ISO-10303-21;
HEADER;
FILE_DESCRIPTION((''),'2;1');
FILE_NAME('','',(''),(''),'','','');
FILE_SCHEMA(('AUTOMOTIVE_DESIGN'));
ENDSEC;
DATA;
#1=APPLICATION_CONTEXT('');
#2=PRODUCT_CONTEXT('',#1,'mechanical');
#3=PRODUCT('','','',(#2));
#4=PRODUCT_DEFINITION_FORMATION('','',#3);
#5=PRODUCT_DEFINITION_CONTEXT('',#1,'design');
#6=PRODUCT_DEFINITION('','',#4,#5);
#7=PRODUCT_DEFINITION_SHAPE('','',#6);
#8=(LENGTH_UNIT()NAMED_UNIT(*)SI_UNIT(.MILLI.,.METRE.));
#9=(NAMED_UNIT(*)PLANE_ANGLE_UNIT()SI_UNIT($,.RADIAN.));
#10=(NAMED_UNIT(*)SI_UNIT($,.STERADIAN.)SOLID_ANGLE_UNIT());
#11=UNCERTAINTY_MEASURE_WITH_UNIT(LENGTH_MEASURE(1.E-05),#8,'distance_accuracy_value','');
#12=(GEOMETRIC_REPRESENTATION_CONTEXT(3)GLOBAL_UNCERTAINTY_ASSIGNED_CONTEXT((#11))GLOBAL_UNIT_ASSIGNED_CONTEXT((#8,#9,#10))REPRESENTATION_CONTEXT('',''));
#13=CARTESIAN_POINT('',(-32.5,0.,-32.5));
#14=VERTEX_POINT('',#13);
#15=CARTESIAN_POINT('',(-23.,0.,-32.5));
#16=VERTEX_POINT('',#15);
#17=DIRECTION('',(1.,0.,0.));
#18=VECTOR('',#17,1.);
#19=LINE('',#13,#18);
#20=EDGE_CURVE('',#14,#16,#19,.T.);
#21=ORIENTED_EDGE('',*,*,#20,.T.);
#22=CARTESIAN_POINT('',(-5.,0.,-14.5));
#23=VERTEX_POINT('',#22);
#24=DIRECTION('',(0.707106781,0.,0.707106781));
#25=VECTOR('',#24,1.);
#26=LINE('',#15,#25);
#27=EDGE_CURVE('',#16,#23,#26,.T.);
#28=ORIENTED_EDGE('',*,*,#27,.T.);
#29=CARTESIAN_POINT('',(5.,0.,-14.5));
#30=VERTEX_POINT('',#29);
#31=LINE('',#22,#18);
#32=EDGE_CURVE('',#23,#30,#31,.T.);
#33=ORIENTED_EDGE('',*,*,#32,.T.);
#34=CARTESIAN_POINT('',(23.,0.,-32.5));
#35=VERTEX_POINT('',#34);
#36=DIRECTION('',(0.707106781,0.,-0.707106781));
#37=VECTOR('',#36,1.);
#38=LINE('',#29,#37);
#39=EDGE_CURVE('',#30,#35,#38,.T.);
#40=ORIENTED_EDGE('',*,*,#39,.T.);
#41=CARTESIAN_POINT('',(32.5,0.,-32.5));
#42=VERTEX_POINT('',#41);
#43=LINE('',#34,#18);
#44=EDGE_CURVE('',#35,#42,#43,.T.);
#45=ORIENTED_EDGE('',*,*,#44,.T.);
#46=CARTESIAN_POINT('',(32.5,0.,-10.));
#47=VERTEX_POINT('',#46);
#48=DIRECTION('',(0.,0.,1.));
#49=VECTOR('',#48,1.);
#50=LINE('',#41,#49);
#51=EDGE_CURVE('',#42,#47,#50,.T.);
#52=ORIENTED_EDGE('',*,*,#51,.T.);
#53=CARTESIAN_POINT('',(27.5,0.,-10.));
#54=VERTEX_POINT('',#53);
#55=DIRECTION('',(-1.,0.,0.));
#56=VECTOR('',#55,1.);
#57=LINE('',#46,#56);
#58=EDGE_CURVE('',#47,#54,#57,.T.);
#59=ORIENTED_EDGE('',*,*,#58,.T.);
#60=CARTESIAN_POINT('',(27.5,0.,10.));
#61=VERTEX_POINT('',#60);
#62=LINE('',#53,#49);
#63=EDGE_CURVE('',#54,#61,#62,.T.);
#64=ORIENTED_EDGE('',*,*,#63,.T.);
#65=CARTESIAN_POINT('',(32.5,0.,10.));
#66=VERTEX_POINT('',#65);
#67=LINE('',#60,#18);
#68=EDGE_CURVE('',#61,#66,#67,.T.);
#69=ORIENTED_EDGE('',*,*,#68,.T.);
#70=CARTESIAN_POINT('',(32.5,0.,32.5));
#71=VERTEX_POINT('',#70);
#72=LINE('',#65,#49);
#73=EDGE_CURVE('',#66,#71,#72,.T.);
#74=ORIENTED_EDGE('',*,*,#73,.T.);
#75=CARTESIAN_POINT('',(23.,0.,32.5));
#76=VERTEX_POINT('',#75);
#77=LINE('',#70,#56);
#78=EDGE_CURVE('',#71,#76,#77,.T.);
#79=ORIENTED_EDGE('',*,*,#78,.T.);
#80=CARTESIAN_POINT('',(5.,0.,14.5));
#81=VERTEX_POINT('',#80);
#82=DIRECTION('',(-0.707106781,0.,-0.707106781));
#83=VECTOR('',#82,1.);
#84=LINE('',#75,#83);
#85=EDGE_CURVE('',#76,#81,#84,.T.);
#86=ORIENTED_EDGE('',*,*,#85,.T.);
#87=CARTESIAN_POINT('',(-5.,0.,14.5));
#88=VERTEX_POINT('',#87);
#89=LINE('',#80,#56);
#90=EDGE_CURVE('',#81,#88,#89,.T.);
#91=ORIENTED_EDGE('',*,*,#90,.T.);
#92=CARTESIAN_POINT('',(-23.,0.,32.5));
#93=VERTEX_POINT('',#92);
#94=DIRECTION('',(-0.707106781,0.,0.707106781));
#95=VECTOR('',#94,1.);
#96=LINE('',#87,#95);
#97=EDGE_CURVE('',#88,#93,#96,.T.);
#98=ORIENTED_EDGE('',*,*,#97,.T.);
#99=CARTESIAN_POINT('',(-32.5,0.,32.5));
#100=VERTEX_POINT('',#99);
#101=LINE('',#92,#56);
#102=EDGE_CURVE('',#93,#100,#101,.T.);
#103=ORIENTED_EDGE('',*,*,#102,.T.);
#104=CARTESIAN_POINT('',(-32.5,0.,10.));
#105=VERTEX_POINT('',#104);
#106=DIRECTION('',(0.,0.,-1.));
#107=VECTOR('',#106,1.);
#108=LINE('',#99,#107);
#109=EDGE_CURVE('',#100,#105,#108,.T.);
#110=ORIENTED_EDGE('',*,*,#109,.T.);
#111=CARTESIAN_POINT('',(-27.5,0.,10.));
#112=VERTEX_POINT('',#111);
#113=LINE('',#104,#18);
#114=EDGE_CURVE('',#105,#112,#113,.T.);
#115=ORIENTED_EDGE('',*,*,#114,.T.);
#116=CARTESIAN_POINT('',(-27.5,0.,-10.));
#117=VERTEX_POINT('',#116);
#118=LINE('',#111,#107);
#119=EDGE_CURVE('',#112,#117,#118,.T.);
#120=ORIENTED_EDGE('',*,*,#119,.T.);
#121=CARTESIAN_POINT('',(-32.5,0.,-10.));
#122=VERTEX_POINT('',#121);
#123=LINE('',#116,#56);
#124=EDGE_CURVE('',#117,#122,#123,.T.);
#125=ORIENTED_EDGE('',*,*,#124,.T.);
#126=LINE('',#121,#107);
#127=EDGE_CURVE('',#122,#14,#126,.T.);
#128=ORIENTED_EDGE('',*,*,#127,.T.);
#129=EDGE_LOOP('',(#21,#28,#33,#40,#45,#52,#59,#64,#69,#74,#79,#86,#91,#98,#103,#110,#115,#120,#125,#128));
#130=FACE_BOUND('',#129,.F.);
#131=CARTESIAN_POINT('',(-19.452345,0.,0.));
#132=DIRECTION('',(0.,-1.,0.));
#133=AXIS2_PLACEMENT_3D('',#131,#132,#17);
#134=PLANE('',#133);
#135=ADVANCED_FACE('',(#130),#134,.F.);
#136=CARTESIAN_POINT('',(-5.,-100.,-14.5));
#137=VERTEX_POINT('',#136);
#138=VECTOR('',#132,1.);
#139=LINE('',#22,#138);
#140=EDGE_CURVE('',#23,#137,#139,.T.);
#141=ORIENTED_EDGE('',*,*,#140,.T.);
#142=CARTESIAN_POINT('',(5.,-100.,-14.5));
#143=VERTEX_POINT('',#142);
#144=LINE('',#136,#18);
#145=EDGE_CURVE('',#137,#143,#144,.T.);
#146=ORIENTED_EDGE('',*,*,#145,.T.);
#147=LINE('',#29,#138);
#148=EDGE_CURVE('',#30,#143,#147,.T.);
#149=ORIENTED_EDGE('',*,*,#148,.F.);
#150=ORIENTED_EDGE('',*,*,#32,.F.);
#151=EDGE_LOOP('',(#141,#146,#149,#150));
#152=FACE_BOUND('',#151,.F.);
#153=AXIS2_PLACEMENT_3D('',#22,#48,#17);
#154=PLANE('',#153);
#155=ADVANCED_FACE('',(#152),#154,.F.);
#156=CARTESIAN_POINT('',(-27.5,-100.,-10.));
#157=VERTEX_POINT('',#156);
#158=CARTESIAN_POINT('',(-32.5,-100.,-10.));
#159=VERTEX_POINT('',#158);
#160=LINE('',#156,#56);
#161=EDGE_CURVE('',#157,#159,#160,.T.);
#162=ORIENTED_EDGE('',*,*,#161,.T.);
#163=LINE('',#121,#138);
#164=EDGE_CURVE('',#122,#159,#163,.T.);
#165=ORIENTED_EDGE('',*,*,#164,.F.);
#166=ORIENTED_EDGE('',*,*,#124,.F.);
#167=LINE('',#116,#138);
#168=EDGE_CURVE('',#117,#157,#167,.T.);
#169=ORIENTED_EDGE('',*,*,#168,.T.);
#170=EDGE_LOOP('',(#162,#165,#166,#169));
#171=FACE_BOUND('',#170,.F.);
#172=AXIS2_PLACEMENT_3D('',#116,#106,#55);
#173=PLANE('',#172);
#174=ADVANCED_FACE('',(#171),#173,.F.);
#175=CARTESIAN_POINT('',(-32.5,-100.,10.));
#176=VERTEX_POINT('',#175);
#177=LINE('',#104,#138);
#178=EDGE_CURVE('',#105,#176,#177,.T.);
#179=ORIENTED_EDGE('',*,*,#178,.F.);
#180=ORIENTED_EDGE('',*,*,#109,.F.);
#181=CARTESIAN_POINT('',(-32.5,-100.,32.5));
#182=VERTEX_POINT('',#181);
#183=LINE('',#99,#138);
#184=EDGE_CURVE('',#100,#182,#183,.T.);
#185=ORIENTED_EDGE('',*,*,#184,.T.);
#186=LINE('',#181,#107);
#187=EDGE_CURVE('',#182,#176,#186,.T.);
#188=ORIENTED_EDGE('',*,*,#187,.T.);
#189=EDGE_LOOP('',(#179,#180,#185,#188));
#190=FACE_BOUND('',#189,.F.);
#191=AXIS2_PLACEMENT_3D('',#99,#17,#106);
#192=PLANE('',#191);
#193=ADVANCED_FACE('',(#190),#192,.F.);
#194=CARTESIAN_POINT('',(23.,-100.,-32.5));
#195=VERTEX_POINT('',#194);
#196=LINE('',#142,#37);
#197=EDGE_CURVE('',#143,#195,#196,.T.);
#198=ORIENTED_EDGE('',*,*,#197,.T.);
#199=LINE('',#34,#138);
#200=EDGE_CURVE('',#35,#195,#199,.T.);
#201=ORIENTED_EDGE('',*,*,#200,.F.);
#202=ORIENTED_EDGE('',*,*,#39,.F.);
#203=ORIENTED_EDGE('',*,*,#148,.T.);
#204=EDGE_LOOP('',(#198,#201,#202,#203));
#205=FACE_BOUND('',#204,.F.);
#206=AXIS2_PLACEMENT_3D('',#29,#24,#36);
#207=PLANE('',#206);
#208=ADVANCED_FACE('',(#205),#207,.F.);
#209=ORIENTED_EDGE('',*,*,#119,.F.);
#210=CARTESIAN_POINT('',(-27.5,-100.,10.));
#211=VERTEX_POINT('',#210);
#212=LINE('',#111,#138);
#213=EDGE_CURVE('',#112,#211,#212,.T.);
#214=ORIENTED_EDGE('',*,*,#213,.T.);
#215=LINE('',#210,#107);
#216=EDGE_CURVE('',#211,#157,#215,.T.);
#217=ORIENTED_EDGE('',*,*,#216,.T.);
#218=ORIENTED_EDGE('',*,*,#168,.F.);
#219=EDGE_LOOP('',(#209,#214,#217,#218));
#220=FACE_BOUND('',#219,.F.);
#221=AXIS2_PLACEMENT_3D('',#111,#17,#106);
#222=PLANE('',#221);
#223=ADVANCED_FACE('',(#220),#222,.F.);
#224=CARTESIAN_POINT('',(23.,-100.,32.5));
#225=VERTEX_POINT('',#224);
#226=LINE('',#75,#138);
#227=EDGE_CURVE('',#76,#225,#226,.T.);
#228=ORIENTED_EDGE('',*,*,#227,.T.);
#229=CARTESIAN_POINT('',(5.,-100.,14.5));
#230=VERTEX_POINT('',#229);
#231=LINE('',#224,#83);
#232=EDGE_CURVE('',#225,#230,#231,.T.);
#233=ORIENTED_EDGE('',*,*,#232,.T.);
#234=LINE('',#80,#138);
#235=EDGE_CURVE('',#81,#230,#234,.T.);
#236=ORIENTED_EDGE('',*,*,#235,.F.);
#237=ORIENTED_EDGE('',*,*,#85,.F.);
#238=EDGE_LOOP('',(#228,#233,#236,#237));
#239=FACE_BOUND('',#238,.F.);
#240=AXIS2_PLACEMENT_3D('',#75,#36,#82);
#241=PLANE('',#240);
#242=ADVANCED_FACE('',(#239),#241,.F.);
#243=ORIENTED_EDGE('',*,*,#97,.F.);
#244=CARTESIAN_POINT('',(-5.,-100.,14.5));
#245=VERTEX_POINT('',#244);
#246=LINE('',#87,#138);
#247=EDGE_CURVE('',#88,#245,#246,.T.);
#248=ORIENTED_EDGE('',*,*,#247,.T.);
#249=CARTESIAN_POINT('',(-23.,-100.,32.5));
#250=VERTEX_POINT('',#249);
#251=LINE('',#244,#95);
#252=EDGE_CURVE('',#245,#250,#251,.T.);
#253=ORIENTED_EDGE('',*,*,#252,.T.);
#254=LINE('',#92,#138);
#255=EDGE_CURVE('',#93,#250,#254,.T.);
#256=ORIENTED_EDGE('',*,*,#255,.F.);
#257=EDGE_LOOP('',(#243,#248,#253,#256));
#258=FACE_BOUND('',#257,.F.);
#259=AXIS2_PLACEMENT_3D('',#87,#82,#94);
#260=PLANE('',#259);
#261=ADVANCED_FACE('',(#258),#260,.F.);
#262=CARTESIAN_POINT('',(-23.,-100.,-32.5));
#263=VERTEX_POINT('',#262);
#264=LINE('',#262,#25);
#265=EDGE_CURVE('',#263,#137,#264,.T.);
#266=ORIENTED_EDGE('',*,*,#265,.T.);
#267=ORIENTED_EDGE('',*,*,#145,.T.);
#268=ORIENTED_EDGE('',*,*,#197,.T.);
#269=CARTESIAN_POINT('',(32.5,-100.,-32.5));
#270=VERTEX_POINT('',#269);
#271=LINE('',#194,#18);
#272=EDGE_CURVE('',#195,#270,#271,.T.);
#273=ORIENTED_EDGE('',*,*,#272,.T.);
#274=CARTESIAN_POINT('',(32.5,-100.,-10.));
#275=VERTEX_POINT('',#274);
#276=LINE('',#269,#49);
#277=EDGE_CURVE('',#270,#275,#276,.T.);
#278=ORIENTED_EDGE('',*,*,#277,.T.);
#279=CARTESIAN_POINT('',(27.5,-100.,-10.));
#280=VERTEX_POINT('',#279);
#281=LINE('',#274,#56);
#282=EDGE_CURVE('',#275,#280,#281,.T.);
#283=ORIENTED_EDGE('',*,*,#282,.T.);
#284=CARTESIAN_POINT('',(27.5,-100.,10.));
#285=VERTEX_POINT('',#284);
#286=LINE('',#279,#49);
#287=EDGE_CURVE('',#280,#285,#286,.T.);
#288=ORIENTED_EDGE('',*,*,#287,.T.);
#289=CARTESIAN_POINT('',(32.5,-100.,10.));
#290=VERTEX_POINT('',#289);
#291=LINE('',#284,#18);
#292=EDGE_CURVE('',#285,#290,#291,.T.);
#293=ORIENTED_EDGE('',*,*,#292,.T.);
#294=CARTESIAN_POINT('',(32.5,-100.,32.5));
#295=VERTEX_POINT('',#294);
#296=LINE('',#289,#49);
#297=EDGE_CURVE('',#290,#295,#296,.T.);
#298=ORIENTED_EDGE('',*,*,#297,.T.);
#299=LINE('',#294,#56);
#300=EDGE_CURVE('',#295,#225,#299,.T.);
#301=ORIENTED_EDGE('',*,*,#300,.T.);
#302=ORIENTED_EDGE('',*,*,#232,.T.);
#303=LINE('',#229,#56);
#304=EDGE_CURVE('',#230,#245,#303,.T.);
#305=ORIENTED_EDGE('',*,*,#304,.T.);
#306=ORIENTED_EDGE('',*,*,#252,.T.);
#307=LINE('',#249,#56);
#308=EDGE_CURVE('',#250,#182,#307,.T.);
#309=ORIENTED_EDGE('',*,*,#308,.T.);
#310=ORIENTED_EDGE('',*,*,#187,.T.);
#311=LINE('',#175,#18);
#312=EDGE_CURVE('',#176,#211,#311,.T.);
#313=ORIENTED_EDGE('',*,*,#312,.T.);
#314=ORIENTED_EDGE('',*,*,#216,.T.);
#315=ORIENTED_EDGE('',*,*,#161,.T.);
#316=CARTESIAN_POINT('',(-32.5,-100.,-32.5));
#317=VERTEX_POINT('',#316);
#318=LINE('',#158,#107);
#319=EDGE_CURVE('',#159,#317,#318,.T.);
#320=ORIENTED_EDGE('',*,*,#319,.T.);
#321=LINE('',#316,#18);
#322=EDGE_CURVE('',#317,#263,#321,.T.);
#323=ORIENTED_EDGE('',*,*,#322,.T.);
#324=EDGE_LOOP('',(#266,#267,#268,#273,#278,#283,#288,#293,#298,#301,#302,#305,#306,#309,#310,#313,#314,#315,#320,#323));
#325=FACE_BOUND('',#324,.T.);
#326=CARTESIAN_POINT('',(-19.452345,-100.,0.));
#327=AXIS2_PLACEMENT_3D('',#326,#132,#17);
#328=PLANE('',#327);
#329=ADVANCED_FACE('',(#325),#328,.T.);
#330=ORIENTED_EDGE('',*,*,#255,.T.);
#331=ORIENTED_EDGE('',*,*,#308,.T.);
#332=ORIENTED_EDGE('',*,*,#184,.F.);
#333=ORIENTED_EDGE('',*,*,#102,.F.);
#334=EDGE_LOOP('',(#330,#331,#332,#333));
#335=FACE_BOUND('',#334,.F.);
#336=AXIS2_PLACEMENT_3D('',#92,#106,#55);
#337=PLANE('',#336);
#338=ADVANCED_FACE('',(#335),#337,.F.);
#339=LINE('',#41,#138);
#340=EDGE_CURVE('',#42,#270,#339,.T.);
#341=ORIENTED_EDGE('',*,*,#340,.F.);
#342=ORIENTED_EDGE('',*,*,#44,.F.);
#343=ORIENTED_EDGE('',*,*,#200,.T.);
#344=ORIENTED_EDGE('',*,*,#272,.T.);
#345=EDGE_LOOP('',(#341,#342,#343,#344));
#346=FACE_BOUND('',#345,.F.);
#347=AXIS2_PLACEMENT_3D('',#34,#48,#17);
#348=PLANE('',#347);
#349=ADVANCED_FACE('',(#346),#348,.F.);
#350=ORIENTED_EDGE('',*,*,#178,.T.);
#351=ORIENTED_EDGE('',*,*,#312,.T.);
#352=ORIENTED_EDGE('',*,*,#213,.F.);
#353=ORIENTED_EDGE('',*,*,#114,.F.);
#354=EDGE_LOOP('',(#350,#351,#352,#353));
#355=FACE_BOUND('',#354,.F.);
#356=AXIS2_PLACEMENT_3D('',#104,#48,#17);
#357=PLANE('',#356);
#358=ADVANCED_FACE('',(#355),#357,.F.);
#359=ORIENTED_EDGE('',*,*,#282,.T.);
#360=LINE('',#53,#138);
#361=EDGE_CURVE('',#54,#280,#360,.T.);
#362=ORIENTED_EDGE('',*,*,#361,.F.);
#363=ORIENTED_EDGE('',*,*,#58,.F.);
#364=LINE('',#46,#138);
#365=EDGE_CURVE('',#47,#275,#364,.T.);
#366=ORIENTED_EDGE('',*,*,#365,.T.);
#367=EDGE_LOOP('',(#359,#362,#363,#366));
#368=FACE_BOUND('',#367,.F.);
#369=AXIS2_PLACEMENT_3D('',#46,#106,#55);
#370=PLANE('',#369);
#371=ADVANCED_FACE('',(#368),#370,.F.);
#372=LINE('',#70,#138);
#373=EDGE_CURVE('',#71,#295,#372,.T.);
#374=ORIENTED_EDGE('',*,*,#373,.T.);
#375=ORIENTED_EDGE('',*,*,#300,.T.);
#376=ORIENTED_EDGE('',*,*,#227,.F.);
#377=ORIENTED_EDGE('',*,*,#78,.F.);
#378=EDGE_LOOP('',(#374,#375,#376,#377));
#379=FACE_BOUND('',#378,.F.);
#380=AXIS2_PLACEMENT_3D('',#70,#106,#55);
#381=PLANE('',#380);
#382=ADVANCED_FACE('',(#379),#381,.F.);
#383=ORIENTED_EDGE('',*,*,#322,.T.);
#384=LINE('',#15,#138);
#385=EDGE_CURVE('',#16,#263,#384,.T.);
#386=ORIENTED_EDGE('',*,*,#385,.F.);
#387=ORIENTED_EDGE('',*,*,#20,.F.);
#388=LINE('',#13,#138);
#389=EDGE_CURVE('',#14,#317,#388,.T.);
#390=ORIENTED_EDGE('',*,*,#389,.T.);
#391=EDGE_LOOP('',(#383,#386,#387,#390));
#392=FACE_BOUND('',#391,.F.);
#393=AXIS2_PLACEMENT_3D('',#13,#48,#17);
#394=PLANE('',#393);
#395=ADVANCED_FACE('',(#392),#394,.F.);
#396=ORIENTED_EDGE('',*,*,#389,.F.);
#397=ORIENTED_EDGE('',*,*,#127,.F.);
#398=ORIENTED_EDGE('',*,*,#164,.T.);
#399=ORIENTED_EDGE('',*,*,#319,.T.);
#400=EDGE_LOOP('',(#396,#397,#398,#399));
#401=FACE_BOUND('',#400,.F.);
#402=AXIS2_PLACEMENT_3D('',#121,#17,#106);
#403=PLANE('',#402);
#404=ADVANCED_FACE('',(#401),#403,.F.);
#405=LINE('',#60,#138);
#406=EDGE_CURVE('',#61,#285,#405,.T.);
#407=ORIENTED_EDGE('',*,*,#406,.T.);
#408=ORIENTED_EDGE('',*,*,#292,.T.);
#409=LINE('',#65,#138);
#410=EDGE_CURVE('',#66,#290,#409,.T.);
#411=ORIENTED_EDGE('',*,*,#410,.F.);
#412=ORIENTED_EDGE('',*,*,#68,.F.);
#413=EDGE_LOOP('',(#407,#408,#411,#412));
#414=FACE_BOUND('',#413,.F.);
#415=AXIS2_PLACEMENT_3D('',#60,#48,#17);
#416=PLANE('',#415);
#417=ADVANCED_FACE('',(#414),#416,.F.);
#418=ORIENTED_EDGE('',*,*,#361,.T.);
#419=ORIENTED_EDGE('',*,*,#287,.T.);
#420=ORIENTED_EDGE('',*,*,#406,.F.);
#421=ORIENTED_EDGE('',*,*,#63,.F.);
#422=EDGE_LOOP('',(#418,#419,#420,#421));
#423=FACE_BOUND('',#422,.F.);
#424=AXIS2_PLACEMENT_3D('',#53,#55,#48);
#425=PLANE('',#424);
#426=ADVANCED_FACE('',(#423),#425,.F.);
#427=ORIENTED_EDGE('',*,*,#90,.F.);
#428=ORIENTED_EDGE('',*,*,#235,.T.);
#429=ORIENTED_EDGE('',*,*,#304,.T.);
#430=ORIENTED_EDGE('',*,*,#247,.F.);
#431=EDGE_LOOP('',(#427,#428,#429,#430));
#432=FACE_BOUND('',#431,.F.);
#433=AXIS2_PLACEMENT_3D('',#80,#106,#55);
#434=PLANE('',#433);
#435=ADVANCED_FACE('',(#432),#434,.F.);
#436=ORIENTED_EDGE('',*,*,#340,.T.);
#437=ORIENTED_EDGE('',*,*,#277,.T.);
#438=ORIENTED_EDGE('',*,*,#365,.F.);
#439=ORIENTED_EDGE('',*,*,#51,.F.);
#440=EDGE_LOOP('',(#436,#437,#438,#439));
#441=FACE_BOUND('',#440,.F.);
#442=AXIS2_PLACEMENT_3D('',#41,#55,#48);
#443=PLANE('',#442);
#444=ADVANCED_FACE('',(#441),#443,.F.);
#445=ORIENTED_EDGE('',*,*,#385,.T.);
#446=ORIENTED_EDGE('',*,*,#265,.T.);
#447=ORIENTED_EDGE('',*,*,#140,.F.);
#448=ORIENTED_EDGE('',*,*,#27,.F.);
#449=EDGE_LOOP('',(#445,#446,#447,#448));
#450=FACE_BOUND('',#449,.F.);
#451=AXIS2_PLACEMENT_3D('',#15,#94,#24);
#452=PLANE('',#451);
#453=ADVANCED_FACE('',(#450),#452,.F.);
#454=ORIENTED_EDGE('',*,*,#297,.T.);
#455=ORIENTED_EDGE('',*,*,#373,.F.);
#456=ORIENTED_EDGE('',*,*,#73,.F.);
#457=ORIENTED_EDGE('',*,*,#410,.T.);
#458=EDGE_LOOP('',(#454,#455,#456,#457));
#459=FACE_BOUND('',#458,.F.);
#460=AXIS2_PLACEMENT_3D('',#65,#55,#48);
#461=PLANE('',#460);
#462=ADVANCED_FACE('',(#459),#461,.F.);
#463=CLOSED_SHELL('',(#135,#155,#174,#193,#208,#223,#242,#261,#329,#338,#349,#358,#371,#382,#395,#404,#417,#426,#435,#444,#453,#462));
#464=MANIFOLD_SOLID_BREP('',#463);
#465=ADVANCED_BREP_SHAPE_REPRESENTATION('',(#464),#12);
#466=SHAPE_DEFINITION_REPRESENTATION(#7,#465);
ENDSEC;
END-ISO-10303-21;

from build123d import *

# Parameters (mm, degrees)
F1_DEPTH = 100


with BuildPart() as f1:
    # F0 (on Front) → F1 (new body)
    with BuildSketch(Plane.XZ):
        Polygon((0, -14.5), (0, 14.5), (-5, 14.5), (-23, 32.5), (-32.5, 32.5), (-32.5, 10), (-27.5, 10), (-27.5, -10), (-32.5, -10), (-32.5, -32.5), (-23, -32.5), (-5, -14.5), align=None)
        Polygon((5, 14.5), (0, 14.5), (0, -14.5), (5, -14.5), (23, -32.5), (32.5, -32.5), (32.5, -10), (27.5, -10), (27.5, 10), (32.5, 10), (32.5, 32.5), (23, 32.5), align=None)
    extrude(amount=F1_DEPTH)


solid = f1.part
